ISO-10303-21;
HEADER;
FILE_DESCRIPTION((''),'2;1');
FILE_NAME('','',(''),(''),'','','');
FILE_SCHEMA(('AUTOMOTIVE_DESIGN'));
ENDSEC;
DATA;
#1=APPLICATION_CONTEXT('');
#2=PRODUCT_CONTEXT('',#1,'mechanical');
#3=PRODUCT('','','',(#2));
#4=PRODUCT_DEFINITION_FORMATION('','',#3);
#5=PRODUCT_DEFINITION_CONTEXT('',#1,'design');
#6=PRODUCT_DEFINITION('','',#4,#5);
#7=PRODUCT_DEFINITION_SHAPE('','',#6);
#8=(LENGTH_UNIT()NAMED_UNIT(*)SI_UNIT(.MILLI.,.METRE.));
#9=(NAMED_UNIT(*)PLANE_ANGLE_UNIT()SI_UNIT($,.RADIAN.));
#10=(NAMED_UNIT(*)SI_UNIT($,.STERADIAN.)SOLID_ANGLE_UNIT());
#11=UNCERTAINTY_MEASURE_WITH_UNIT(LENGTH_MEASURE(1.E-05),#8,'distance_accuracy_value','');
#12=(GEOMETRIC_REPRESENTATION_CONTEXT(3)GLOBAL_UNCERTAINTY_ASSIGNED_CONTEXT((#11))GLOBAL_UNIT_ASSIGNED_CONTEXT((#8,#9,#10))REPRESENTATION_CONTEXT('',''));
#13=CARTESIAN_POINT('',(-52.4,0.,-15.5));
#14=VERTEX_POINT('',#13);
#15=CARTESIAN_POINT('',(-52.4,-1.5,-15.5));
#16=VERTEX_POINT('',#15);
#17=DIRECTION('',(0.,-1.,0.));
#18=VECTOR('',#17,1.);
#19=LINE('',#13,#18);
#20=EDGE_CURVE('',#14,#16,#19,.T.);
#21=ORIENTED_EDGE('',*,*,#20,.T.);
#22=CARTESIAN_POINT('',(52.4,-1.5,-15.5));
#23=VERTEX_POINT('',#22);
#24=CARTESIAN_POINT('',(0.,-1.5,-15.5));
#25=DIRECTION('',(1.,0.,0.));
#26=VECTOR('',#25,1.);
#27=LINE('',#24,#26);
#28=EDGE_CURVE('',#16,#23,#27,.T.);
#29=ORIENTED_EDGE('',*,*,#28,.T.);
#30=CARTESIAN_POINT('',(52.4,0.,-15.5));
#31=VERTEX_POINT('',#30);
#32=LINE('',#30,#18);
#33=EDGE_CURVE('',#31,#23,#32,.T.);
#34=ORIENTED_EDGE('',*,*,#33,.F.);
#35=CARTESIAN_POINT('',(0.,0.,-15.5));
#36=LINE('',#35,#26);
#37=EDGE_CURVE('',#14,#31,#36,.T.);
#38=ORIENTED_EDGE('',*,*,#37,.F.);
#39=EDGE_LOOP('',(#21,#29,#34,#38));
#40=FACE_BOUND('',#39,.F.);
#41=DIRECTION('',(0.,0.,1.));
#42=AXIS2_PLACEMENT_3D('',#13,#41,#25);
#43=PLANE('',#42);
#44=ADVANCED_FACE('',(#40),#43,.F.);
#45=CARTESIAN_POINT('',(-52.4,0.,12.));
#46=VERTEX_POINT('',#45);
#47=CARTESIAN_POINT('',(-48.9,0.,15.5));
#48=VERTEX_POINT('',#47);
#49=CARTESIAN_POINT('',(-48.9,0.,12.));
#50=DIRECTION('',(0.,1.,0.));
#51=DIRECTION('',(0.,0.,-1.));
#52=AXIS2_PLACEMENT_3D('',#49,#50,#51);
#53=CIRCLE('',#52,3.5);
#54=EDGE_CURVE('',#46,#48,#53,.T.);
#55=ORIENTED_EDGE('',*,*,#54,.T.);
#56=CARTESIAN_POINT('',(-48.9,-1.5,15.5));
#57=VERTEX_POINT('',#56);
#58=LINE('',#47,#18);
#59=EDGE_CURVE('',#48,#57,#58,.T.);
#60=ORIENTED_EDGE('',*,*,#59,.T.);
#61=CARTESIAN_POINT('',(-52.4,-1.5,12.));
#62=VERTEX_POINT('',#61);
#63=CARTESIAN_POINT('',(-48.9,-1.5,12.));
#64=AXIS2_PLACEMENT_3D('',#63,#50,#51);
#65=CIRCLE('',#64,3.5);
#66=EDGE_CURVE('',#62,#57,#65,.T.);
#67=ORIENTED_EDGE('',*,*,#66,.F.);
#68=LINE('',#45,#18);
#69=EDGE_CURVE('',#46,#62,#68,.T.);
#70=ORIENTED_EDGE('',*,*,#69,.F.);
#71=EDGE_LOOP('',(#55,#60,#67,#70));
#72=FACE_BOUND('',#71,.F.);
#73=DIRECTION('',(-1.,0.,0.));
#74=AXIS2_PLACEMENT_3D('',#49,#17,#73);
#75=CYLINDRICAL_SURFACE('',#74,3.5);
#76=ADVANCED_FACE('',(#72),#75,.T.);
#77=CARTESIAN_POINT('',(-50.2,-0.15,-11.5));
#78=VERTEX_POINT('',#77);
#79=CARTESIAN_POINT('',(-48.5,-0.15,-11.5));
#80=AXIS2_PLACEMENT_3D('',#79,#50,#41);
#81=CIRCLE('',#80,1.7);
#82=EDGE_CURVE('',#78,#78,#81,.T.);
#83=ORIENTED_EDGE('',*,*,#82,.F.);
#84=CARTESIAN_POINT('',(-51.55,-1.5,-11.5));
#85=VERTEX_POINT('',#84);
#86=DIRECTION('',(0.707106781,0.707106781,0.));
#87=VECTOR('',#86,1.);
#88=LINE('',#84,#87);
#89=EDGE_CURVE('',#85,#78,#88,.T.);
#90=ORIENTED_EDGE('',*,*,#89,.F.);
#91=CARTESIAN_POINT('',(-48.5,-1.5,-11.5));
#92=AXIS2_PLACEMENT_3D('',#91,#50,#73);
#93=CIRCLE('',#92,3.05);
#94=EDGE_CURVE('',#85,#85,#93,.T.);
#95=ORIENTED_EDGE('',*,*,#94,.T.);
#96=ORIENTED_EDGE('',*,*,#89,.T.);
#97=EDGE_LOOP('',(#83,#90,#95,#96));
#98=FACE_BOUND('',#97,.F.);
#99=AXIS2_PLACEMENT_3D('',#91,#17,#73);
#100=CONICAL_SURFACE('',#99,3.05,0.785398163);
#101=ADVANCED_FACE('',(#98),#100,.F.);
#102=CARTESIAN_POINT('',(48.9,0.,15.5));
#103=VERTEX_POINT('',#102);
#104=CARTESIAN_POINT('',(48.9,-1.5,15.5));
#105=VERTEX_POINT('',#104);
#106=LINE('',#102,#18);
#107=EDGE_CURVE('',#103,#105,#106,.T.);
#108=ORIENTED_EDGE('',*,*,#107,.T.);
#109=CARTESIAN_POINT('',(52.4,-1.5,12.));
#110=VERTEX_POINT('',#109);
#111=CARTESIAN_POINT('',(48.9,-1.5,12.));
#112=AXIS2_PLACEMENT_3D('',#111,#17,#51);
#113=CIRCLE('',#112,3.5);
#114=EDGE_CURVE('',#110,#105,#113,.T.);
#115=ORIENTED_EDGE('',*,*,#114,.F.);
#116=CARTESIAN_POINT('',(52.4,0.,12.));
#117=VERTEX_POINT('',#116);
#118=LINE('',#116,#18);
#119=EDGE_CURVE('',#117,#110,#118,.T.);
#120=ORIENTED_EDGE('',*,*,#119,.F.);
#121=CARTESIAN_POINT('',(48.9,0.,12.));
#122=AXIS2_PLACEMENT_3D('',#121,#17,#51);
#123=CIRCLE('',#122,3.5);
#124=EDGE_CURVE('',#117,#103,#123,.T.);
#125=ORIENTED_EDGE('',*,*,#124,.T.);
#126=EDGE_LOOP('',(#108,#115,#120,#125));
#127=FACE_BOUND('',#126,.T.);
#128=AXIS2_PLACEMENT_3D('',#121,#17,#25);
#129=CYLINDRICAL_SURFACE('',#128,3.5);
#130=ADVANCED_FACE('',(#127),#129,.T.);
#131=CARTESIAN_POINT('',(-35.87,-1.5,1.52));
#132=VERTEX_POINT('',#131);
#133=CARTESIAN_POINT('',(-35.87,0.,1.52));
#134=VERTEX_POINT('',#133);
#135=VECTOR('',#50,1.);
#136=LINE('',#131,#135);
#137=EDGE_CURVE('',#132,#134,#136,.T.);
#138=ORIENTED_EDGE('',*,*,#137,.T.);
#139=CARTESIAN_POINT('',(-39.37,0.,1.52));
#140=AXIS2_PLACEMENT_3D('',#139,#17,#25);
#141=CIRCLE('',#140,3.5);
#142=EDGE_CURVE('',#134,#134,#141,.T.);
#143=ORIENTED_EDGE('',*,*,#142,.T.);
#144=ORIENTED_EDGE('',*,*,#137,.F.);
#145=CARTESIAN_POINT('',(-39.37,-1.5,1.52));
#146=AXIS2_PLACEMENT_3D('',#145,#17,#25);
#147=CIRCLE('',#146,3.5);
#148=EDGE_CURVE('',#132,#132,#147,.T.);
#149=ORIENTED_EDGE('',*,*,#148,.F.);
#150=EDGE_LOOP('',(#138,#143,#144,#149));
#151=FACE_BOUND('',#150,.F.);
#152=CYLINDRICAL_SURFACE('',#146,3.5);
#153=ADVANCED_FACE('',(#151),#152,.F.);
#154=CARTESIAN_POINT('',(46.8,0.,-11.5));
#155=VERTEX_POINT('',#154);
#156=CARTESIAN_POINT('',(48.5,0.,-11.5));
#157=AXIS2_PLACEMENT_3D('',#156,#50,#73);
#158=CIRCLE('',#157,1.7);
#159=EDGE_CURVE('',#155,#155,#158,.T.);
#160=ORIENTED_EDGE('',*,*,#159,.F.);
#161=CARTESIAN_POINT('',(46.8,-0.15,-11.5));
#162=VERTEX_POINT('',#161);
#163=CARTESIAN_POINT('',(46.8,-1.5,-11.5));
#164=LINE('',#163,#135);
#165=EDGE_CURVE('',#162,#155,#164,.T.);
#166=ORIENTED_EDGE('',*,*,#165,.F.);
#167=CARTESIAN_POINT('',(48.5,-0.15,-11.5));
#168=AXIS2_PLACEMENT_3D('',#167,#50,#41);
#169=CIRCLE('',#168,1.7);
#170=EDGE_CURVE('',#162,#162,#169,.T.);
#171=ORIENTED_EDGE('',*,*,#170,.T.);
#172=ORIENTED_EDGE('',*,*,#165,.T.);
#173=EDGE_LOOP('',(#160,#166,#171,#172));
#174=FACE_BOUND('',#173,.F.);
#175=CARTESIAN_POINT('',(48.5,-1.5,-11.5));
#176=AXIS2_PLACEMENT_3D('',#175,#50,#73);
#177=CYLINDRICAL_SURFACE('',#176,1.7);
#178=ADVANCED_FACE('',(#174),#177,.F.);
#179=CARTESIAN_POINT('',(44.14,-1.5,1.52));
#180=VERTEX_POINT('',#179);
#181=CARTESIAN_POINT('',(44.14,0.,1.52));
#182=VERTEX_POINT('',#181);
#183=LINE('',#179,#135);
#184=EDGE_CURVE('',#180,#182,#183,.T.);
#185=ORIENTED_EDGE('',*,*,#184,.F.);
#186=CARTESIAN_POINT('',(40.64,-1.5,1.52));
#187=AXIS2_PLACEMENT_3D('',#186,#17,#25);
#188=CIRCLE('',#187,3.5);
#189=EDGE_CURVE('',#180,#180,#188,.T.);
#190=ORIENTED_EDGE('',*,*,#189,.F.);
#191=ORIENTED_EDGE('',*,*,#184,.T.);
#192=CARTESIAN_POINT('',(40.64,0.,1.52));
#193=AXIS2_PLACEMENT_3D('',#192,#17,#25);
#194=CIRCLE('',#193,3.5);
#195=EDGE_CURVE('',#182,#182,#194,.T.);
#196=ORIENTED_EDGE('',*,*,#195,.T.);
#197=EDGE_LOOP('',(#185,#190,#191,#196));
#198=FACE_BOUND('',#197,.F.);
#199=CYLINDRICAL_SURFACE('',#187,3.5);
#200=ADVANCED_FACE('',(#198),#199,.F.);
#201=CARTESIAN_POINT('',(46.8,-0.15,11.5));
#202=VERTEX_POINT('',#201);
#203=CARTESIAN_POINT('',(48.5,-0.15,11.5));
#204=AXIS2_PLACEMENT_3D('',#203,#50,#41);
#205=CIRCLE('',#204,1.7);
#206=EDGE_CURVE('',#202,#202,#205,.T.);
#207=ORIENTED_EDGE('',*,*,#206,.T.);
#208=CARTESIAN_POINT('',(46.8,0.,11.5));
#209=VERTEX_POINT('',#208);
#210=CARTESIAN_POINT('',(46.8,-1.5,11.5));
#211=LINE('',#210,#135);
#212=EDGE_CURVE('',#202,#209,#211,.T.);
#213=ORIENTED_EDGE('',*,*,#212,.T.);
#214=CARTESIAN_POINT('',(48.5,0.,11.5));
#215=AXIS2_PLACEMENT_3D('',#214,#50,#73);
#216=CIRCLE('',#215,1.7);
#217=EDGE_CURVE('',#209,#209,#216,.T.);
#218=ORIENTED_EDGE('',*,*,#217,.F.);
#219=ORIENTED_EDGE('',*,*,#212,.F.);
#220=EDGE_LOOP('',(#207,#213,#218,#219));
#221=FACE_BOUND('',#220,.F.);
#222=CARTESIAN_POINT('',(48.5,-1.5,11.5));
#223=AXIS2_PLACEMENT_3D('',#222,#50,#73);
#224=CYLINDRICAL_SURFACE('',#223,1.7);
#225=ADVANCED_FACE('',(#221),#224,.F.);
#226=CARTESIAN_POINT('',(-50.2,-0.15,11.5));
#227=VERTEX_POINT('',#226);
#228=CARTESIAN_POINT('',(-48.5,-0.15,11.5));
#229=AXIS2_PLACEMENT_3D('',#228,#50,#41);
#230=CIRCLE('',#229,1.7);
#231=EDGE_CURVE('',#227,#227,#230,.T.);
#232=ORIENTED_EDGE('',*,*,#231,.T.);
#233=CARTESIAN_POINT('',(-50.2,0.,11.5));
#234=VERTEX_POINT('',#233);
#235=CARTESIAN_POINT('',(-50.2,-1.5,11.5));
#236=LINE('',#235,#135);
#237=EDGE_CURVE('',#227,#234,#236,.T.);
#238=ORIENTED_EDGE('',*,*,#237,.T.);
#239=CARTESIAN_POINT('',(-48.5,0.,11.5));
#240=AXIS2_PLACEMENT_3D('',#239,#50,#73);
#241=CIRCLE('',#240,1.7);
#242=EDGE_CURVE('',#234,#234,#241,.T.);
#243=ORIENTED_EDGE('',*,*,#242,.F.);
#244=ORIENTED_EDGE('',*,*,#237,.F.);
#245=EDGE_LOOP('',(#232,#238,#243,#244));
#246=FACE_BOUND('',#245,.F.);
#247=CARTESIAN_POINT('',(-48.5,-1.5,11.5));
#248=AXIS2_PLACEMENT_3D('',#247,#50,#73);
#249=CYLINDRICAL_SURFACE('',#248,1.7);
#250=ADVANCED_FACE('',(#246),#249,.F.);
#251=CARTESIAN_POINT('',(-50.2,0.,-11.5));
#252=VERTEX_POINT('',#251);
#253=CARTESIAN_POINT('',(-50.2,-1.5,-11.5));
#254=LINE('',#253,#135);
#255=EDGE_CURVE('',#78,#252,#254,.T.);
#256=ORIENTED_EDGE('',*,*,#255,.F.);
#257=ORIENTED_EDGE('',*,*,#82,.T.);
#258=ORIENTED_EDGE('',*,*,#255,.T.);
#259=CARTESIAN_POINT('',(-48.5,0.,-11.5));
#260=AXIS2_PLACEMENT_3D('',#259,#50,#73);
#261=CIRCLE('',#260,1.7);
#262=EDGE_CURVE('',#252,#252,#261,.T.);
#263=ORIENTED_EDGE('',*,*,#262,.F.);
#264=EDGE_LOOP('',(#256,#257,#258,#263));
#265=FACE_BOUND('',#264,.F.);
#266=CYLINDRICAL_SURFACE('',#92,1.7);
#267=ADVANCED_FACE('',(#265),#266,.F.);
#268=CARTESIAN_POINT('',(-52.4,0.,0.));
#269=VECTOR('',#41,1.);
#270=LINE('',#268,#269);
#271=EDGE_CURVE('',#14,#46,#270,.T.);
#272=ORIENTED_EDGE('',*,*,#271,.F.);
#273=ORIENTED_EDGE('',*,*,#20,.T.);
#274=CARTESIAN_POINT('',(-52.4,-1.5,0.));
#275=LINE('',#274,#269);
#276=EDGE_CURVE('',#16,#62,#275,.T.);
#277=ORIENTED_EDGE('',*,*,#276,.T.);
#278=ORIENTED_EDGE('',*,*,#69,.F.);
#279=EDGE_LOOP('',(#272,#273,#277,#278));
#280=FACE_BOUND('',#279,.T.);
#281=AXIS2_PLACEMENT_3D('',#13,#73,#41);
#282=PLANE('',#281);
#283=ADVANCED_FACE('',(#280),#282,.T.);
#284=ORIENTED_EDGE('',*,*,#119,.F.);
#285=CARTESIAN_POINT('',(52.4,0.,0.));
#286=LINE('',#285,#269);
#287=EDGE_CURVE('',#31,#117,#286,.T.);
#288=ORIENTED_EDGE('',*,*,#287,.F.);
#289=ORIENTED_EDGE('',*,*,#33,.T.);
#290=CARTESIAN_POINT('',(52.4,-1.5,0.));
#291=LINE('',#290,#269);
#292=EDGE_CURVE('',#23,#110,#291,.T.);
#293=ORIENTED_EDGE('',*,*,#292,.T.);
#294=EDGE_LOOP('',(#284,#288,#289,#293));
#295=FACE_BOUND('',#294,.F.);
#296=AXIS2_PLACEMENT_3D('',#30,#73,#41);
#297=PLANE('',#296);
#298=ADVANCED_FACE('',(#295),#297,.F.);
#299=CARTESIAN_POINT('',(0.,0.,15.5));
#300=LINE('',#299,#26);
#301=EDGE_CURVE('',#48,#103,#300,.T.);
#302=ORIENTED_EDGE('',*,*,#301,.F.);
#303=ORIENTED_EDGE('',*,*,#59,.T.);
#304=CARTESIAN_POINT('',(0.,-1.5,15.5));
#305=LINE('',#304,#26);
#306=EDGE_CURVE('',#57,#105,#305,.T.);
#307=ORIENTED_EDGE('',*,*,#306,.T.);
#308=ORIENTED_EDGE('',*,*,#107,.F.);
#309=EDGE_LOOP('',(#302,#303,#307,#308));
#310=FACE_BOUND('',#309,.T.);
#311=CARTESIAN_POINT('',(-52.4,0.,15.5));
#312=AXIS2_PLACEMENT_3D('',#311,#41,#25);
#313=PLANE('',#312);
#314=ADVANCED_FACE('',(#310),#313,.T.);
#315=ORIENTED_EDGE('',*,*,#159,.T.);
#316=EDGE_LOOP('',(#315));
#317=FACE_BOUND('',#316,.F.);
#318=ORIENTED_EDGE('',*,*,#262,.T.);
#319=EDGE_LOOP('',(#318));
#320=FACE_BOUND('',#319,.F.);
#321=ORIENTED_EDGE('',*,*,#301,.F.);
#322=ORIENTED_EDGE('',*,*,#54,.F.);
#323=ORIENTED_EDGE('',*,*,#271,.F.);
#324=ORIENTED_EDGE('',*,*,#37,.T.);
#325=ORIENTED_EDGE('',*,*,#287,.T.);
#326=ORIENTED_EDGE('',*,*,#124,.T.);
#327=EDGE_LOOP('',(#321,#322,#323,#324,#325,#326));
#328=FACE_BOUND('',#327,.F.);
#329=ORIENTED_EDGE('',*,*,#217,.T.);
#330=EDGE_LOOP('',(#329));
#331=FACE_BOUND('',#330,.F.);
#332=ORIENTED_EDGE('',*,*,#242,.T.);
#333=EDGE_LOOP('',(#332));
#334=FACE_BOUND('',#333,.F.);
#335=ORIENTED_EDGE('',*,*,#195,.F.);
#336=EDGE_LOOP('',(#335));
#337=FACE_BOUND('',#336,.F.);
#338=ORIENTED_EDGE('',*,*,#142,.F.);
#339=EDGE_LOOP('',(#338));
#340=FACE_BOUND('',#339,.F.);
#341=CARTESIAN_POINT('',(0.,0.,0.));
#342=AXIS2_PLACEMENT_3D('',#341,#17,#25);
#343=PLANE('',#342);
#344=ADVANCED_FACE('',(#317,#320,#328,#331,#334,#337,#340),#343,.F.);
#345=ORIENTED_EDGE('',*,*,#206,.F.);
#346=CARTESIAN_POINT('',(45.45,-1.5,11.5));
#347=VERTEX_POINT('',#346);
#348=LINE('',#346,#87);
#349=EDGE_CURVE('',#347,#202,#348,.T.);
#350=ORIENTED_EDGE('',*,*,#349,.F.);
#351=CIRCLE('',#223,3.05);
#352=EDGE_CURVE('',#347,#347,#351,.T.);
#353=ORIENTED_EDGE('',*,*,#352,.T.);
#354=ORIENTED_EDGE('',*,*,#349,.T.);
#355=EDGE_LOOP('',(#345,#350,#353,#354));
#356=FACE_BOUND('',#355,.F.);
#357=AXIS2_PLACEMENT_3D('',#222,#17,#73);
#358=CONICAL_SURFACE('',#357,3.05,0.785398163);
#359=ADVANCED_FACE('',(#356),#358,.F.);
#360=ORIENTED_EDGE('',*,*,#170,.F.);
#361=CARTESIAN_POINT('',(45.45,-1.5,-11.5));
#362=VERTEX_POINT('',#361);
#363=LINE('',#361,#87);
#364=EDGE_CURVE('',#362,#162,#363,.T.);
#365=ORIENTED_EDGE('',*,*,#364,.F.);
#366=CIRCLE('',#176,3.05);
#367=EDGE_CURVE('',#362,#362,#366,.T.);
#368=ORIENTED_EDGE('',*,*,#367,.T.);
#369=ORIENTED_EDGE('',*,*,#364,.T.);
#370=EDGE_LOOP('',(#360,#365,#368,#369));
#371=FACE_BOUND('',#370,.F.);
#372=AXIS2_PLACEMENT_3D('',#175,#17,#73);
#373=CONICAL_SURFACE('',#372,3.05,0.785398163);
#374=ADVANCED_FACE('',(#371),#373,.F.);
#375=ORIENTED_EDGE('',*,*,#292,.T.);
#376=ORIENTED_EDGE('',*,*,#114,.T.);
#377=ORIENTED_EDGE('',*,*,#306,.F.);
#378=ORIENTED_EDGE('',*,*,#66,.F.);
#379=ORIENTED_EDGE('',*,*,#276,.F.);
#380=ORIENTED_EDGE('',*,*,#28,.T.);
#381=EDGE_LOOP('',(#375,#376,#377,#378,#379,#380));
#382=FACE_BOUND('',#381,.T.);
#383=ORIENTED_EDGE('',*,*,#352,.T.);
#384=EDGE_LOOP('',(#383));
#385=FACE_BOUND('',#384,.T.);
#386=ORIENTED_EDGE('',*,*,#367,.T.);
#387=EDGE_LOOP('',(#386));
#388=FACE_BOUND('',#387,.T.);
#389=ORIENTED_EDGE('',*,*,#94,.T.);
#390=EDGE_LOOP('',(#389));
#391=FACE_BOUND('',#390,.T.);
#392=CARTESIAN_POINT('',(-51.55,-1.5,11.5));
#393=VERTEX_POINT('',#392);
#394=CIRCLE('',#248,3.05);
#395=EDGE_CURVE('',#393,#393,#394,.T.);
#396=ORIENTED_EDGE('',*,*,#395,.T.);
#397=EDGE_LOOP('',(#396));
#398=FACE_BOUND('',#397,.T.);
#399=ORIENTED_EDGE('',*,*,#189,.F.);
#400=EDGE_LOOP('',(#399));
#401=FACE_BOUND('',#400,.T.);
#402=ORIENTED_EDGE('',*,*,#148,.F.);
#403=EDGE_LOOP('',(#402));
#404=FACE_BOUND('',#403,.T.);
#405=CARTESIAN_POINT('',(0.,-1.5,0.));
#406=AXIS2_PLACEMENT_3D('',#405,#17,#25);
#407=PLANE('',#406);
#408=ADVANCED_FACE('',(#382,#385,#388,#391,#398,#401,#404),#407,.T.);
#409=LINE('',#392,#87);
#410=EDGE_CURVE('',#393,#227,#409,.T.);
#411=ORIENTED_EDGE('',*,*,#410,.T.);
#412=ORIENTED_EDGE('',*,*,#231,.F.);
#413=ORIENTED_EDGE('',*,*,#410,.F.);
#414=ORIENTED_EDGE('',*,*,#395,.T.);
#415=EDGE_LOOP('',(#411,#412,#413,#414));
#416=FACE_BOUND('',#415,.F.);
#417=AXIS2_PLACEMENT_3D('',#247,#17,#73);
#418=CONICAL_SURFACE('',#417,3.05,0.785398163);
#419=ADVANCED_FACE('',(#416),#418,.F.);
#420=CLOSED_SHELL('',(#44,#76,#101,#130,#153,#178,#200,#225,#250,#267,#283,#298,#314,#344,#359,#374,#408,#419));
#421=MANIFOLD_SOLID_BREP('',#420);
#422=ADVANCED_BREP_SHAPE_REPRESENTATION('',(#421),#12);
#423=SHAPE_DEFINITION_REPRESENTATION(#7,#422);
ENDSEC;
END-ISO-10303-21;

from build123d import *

# Parameters (mm, degrees)
SKETCH_W            = 104.8
SKETCH_H            = 31
PAD_DEPTH           = 1.5
HOLE_D              = 3.4
HOLE_DEPTH          = 25
HOLE_CSINK_D        = 6.1
HOLE_CSINK_ANGLE    = 90
FILLET_R            = 3.5
SKETCH002_R         = 3.5
POCKET_DEPTH        = 1.501
LINEARPATTERN_COUNT = 2
LINEARPATTERN_PITCH = 80.01


with BuildPart() as part:
    # Sketch → Pad (new body)
    with BuildSketch(Plane.XZ):
        Rectangle(SKETCH_W, SKETCH_H)
    extrude(amount=PAD_DEPTH)

    # Hole
    with Locations(Plane.XZ.offset(1.5)):
        with Locations((-48.5, 11.5), (-48.5, -11.5), (48.5, -11.5), (48.5, 11.5)):
            CounterSinkHole(HOLE_D / 2, HOLE_CSINK_D / 2, depth=HOLE_DEPTH, counter_sink_angle=HOLE_CSINK_ANGLE)

    # Fillet
    fillet_edges = [part.edges().sort_by_distance(p)[0] for p in [
        (-52.4, -0.75, 15.5),
        (52.4, -0.75, 15.5),
    ]]
    fillet(fillet_edges, radius=FILLET_R)

    # Sketch002 (on Face5 of Fillet) → Pocket (cut, through all)
    with BuildSketch(Plane.XZ.offset(1.5)):
        with Locations((-39.37, 1.52)):
            Circle(SKETCH002_R)
    pocket = extrude(amount=-POCKET_DEPTH, mode=Mode.SUBTRACT)

    # LinearPattern: Pocket ×2
    with Locations(*[(i * LINEARPATTERN_PITCH, 0, 0) for i in range(1, LINEARPATTERN_COUNT)]):
        add(pocket, mode=Mode.SUBTRACT)


solid = part.part
